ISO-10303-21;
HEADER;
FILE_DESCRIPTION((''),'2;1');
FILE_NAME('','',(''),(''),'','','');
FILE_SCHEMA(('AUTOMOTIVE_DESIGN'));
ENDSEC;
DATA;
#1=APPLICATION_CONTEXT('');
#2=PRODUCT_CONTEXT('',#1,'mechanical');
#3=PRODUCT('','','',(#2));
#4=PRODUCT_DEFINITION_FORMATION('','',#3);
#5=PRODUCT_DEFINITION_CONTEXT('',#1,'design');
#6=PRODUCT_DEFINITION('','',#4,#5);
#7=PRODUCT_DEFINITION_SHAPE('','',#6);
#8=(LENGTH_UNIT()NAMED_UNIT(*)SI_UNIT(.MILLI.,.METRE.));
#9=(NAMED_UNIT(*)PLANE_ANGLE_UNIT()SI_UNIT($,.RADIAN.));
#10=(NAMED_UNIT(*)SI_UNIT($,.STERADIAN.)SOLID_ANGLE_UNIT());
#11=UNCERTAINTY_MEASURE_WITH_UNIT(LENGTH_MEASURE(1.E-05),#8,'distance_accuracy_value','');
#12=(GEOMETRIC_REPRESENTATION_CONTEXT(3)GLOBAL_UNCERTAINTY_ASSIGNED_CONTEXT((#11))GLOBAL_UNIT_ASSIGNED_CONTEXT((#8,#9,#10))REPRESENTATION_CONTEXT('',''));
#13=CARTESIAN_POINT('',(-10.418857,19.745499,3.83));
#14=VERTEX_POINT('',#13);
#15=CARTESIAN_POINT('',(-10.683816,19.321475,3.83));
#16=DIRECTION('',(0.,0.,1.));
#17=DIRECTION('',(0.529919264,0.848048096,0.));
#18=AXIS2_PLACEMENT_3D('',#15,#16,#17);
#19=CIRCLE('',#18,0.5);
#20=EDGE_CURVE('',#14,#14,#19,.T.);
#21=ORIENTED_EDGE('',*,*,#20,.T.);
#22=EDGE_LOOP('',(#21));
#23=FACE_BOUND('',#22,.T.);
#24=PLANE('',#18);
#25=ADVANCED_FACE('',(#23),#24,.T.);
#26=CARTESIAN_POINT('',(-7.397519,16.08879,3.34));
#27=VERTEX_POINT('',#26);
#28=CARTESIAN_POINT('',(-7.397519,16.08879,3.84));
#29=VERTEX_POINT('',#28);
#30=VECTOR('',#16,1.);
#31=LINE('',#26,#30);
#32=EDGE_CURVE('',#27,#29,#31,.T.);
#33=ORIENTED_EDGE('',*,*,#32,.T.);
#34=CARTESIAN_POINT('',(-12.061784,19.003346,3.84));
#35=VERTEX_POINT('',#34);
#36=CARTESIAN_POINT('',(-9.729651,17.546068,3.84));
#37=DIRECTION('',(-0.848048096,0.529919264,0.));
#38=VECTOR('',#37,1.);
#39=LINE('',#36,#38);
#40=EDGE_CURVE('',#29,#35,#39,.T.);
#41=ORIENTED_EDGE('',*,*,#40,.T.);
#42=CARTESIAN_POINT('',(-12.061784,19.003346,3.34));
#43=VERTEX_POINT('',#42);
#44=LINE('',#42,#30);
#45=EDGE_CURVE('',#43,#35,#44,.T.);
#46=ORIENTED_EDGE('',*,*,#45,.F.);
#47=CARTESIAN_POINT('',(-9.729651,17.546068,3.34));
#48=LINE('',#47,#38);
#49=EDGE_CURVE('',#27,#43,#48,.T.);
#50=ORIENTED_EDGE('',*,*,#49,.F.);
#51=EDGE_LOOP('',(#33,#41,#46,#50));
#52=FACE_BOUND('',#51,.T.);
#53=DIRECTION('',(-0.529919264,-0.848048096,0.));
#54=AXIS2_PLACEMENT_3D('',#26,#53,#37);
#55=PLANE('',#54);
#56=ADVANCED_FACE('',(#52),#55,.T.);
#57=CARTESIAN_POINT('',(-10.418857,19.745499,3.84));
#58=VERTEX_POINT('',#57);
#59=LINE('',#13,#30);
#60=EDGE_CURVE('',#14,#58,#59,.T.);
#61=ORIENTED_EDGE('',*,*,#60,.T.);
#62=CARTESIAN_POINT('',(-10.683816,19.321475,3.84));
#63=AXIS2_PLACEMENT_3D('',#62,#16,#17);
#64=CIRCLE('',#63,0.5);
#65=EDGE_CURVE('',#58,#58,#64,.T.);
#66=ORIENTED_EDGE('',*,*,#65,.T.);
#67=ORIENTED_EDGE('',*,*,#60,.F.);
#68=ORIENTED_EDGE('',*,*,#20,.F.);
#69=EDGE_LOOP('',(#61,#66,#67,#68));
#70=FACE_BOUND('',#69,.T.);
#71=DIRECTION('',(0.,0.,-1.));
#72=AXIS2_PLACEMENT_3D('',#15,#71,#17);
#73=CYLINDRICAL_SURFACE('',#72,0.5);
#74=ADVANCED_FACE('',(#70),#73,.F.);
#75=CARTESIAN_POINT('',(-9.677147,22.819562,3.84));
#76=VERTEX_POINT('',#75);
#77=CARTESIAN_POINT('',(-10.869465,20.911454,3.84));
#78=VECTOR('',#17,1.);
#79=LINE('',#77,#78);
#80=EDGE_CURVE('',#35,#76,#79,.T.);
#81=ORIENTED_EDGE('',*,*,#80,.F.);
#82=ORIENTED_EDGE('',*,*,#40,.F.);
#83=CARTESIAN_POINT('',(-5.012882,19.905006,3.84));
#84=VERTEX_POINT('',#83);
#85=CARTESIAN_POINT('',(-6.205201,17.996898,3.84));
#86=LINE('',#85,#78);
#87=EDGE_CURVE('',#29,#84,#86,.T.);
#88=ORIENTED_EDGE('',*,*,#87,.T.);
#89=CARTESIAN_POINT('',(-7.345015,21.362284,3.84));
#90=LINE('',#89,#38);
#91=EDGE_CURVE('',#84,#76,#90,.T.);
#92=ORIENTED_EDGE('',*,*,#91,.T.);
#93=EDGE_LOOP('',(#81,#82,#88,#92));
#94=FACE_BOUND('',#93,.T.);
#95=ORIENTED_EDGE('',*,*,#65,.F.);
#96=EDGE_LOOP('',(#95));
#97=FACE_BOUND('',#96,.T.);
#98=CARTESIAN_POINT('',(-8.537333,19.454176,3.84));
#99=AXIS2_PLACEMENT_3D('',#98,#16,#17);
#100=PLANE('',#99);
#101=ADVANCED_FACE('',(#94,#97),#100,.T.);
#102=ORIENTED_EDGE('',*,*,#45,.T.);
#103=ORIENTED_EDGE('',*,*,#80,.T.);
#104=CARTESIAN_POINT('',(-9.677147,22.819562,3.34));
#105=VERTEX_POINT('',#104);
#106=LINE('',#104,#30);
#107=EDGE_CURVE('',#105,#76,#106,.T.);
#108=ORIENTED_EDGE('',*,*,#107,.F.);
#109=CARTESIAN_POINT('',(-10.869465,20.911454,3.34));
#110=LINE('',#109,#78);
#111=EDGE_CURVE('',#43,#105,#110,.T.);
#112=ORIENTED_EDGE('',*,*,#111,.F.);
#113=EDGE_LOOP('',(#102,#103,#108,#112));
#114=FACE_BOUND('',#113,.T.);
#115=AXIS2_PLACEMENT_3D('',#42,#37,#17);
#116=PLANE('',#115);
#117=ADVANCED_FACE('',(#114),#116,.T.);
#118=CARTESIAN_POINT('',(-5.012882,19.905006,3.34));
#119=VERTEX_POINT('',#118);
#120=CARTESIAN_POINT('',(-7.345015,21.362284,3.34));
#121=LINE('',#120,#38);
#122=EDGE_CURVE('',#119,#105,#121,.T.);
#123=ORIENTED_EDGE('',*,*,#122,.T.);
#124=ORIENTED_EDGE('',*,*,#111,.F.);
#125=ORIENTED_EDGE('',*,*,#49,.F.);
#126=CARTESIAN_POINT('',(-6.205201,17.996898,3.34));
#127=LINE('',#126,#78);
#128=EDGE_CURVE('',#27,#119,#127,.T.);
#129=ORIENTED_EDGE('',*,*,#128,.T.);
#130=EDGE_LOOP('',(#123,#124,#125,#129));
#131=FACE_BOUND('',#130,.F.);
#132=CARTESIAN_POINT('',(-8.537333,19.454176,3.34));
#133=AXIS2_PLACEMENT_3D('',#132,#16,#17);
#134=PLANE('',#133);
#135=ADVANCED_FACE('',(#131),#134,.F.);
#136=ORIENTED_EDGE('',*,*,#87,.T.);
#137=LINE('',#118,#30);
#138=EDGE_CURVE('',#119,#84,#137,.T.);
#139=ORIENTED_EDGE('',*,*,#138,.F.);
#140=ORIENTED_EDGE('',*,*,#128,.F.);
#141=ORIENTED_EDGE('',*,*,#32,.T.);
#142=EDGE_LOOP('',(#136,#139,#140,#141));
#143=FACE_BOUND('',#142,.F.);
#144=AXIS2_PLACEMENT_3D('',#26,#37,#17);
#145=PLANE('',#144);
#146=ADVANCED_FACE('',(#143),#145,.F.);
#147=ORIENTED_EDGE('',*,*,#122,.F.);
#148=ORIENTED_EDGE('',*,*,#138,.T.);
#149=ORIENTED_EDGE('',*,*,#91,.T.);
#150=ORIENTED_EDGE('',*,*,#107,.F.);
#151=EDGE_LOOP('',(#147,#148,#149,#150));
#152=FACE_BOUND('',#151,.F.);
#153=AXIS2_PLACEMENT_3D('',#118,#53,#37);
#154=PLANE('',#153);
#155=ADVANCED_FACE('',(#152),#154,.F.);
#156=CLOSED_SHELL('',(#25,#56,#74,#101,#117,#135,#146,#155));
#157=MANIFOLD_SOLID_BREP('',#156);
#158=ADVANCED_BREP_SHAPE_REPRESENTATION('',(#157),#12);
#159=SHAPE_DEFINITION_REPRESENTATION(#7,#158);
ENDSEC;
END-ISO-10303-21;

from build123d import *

# Parameters (mm, degrees)
CYLINDER083_R          = 0.5
CYLINDER083_DEPTH      = 0.01
BOX180_W               = 4.5
BOX180_H               = 5.5
BOX180_DEPTH           = 0.5
CUT089_PLACEMENT_ANGLE = 58


with BuildPart() as cylinder083:
    # Cylinder083 → Cylinder083 (new body)
    with BuildSketch(Plane(origin=(1, 4.5, 0.49), x_dir=(1, 0, 0), z_dir=(0, 0, 1))):
        Circle(CYLINDER083_R)
    extrude(amount=CYLINDER083_DEPTH)


with BuildPart() as small_linbo3_plate091:
    # Box180 → Box180 (new body)
    with BuildSketch(Plane.XY):
        with Locations((2.25, 2.75)):
            Rectangle(BOX180_W, BOX180_H)
    extrude(amount=BOX180_DEPTH)

    # Cut089: cut Cylinder083
    add(cylinder083.part, mode=Mode.SUBTRACT)


with BuildPart() as small_linbo3_plate091_1:
    # Cut089 placement: moved
    add(small_linbo3_plate091.part.moved(Location((-7.397519, 16.08879, 3.34))).rotate(Axis((-7.397519, 16.08879, 3.34), (0, 0, 1)), CUT089_PLACEMENT_ANGLE))


solid = small_linbo3_plate091_1.part
